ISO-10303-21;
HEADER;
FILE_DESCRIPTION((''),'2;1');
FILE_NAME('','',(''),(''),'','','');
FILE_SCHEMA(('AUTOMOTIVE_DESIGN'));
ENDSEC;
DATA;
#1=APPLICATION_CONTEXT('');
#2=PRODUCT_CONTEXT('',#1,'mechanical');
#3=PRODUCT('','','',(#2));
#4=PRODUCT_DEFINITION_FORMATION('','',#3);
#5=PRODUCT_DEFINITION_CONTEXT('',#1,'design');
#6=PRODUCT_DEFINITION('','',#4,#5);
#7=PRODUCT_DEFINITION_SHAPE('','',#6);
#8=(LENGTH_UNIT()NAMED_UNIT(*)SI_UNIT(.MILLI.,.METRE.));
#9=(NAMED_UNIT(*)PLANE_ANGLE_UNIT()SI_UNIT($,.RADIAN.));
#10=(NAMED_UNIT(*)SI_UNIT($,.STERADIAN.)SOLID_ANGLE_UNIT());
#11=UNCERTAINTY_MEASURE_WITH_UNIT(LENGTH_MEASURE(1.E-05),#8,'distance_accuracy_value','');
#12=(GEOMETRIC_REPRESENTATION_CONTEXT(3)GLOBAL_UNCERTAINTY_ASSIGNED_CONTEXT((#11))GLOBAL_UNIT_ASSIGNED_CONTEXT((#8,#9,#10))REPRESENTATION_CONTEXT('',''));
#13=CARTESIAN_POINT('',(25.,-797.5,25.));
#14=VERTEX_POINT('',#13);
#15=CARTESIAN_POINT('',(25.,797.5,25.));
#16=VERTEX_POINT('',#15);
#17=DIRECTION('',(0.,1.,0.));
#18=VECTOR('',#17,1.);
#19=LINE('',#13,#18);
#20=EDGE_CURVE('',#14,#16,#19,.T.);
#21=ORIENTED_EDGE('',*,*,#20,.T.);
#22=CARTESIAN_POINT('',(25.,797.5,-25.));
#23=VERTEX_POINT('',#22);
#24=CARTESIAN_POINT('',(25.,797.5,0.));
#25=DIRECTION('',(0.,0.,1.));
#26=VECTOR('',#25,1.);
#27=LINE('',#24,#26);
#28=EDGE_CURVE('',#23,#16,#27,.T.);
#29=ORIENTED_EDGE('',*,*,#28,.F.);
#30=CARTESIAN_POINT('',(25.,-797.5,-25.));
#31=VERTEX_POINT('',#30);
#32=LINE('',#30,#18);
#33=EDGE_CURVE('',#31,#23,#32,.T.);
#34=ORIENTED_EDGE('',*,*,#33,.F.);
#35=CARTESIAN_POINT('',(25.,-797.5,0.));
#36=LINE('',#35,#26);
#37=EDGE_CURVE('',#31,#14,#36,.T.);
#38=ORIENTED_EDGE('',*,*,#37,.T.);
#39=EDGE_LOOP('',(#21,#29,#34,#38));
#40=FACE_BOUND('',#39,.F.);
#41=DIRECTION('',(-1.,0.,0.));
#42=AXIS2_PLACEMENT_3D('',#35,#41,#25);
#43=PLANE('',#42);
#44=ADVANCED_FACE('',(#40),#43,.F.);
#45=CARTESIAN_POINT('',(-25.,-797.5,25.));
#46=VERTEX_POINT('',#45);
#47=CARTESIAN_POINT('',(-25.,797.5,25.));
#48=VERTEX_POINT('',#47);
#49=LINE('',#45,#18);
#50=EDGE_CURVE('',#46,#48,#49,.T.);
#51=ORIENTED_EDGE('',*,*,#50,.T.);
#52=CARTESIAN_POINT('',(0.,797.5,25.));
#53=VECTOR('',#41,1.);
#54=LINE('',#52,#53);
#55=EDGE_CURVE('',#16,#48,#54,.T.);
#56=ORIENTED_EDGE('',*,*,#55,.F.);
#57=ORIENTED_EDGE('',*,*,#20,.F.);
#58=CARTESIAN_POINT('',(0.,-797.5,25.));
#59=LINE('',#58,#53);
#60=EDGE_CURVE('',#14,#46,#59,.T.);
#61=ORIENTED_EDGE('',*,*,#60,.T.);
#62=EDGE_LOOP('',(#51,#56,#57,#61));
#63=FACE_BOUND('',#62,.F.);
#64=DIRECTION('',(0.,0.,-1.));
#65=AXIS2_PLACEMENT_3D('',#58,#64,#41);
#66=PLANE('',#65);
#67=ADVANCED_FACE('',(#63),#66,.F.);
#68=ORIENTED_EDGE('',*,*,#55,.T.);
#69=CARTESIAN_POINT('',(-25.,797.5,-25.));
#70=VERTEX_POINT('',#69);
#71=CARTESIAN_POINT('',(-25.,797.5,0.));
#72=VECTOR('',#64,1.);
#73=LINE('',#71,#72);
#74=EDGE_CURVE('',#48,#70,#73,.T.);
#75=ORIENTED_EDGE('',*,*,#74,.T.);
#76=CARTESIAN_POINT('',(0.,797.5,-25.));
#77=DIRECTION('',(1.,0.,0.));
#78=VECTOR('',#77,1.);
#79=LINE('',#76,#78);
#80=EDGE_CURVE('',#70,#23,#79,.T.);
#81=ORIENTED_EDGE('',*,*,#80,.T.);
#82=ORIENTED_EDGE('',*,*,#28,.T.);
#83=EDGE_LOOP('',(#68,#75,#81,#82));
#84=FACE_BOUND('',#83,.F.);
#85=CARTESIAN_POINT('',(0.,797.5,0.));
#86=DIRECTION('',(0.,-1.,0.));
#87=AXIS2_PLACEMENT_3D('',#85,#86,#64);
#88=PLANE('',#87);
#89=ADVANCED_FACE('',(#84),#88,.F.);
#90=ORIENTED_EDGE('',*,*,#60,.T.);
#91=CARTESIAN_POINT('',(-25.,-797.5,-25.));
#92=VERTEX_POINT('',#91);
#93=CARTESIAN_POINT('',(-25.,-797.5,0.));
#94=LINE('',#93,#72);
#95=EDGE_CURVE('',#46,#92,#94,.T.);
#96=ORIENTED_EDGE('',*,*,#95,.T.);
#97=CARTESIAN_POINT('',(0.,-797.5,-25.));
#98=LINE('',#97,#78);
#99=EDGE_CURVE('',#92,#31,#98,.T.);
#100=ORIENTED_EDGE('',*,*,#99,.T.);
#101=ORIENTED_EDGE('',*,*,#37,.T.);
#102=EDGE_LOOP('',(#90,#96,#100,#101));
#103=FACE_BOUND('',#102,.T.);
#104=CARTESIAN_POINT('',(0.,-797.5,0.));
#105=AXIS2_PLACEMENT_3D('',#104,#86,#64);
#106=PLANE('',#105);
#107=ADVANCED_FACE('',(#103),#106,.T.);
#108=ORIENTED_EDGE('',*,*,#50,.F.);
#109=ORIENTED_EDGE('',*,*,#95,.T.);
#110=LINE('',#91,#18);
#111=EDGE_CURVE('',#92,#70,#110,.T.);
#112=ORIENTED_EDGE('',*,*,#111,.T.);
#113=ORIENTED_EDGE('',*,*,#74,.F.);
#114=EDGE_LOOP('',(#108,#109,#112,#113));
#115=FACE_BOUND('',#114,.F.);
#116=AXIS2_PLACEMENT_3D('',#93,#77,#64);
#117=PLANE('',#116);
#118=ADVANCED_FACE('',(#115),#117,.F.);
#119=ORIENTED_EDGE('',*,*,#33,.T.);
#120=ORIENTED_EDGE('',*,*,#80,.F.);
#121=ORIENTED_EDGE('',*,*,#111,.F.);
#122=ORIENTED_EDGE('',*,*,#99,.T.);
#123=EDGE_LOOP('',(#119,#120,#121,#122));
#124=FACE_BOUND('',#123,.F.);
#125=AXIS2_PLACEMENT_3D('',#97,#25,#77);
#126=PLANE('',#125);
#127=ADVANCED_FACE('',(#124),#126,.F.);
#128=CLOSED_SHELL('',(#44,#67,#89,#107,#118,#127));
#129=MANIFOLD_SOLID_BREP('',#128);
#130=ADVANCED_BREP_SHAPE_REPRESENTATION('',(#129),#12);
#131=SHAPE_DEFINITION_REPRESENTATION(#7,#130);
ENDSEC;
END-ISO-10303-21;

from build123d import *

# Parameters (mm, degrees)
F2_W = 50
F2_H = 50


with BuildPart() as f3:
    # F3: sweep along a path in F0
    with BuildLine(Plane.YZ) as f3_path:
        Line((-797.5, 0), (797.5, 0))
    # F2 (on offset) → F3 (sweep)
    with BuildSketch(Plane.XZ.offset(797.5)):
        Rectangle(F2_W, F2_H)
    sweep(path=f3_path.line)


solid = f3.part
